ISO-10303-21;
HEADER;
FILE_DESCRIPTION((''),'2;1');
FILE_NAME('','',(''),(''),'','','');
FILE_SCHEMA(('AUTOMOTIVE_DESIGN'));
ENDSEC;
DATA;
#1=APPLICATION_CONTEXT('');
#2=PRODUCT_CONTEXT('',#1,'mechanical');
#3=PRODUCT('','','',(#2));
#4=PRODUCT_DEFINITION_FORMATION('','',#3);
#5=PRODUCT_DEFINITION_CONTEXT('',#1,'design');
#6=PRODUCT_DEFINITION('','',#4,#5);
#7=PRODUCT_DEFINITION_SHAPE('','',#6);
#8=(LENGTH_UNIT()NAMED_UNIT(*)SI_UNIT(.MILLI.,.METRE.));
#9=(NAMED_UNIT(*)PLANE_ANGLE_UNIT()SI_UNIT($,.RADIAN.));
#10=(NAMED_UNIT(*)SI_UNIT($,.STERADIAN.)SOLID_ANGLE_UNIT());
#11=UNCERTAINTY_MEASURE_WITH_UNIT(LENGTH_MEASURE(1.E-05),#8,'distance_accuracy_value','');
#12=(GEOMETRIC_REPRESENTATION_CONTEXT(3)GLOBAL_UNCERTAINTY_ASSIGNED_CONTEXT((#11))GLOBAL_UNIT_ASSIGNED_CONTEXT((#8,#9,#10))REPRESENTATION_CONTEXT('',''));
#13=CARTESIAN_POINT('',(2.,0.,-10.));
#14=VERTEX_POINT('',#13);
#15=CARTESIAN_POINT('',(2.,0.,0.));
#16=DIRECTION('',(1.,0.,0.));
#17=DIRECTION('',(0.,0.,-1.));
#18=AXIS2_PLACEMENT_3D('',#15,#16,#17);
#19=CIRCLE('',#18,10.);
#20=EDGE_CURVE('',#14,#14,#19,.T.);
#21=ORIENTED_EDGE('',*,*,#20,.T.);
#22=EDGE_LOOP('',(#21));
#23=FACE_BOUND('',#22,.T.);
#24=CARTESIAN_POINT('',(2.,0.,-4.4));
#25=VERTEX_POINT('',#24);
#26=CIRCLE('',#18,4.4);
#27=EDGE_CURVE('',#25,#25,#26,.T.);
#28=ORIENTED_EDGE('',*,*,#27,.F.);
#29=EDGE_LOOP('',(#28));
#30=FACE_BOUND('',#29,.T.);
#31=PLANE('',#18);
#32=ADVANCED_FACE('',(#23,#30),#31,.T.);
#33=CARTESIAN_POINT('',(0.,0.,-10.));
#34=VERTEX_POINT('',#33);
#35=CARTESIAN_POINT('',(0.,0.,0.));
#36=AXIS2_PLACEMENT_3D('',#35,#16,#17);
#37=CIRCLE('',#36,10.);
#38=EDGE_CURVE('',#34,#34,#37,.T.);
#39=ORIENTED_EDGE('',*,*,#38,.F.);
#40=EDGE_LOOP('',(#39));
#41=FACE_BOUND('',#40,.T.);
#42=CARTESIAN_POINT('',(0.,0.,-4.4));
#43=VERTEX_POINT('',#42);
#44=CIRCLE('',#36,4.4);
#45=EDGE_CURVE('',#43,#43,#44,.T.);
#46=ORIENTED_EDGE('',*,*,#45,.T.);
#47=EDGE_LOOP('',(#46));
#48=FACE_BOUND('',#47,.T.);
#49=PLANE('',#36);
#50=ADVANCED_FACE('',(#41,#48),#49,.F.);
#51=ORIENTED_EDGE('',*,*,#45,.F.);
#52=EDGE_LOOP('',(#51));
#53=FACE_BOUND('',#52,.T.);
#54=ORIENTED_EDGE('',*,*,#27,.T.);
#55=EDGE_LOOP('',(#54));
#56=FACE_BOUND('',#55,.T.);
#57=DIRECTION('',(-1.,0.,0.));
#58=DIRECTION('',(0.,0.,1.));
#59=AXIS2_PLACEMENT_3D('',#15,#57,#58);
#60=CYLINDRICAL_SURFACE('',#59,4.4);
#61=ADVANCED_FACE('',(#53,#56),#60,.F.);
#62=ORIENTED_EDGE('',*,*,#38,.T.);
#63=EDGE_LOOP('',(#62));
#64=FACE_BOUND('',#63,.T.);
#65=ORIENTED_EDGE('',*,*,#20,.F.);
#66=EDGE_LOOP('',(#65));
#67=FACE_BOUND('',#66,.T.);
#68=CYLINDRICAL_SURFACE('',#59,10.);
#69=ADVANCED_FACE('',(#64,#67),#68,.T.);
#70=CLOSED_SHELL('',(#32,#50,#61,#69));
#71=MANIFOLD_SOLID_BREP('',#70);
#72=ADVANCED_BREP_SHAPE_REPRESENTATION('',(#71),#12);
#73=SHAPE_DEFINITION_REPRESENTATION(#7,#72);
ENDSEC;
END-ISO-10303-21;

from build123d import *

# Parameters (mm, degrees)
SKETCH1_R          = 10
SKETCH1_R_2        = 4.4
BASE_EXTRUDE_DEPTH = 2


with BuildPart() as part:
    # Sketch1 → Base-Extrude (new body)
    with BuildSketch(Plane(origin=(0, 0, 0), x_dir=(0, 0, -1), z_dir=(1, 0, 0))):
        Circle(SKETCH1_R)
        Circle(SKETCH1_R_2, mode=Mode.SUBTRACT)
    extrude(amount=BASE_EXTRUDE_DEPTH)


solid = part.part
